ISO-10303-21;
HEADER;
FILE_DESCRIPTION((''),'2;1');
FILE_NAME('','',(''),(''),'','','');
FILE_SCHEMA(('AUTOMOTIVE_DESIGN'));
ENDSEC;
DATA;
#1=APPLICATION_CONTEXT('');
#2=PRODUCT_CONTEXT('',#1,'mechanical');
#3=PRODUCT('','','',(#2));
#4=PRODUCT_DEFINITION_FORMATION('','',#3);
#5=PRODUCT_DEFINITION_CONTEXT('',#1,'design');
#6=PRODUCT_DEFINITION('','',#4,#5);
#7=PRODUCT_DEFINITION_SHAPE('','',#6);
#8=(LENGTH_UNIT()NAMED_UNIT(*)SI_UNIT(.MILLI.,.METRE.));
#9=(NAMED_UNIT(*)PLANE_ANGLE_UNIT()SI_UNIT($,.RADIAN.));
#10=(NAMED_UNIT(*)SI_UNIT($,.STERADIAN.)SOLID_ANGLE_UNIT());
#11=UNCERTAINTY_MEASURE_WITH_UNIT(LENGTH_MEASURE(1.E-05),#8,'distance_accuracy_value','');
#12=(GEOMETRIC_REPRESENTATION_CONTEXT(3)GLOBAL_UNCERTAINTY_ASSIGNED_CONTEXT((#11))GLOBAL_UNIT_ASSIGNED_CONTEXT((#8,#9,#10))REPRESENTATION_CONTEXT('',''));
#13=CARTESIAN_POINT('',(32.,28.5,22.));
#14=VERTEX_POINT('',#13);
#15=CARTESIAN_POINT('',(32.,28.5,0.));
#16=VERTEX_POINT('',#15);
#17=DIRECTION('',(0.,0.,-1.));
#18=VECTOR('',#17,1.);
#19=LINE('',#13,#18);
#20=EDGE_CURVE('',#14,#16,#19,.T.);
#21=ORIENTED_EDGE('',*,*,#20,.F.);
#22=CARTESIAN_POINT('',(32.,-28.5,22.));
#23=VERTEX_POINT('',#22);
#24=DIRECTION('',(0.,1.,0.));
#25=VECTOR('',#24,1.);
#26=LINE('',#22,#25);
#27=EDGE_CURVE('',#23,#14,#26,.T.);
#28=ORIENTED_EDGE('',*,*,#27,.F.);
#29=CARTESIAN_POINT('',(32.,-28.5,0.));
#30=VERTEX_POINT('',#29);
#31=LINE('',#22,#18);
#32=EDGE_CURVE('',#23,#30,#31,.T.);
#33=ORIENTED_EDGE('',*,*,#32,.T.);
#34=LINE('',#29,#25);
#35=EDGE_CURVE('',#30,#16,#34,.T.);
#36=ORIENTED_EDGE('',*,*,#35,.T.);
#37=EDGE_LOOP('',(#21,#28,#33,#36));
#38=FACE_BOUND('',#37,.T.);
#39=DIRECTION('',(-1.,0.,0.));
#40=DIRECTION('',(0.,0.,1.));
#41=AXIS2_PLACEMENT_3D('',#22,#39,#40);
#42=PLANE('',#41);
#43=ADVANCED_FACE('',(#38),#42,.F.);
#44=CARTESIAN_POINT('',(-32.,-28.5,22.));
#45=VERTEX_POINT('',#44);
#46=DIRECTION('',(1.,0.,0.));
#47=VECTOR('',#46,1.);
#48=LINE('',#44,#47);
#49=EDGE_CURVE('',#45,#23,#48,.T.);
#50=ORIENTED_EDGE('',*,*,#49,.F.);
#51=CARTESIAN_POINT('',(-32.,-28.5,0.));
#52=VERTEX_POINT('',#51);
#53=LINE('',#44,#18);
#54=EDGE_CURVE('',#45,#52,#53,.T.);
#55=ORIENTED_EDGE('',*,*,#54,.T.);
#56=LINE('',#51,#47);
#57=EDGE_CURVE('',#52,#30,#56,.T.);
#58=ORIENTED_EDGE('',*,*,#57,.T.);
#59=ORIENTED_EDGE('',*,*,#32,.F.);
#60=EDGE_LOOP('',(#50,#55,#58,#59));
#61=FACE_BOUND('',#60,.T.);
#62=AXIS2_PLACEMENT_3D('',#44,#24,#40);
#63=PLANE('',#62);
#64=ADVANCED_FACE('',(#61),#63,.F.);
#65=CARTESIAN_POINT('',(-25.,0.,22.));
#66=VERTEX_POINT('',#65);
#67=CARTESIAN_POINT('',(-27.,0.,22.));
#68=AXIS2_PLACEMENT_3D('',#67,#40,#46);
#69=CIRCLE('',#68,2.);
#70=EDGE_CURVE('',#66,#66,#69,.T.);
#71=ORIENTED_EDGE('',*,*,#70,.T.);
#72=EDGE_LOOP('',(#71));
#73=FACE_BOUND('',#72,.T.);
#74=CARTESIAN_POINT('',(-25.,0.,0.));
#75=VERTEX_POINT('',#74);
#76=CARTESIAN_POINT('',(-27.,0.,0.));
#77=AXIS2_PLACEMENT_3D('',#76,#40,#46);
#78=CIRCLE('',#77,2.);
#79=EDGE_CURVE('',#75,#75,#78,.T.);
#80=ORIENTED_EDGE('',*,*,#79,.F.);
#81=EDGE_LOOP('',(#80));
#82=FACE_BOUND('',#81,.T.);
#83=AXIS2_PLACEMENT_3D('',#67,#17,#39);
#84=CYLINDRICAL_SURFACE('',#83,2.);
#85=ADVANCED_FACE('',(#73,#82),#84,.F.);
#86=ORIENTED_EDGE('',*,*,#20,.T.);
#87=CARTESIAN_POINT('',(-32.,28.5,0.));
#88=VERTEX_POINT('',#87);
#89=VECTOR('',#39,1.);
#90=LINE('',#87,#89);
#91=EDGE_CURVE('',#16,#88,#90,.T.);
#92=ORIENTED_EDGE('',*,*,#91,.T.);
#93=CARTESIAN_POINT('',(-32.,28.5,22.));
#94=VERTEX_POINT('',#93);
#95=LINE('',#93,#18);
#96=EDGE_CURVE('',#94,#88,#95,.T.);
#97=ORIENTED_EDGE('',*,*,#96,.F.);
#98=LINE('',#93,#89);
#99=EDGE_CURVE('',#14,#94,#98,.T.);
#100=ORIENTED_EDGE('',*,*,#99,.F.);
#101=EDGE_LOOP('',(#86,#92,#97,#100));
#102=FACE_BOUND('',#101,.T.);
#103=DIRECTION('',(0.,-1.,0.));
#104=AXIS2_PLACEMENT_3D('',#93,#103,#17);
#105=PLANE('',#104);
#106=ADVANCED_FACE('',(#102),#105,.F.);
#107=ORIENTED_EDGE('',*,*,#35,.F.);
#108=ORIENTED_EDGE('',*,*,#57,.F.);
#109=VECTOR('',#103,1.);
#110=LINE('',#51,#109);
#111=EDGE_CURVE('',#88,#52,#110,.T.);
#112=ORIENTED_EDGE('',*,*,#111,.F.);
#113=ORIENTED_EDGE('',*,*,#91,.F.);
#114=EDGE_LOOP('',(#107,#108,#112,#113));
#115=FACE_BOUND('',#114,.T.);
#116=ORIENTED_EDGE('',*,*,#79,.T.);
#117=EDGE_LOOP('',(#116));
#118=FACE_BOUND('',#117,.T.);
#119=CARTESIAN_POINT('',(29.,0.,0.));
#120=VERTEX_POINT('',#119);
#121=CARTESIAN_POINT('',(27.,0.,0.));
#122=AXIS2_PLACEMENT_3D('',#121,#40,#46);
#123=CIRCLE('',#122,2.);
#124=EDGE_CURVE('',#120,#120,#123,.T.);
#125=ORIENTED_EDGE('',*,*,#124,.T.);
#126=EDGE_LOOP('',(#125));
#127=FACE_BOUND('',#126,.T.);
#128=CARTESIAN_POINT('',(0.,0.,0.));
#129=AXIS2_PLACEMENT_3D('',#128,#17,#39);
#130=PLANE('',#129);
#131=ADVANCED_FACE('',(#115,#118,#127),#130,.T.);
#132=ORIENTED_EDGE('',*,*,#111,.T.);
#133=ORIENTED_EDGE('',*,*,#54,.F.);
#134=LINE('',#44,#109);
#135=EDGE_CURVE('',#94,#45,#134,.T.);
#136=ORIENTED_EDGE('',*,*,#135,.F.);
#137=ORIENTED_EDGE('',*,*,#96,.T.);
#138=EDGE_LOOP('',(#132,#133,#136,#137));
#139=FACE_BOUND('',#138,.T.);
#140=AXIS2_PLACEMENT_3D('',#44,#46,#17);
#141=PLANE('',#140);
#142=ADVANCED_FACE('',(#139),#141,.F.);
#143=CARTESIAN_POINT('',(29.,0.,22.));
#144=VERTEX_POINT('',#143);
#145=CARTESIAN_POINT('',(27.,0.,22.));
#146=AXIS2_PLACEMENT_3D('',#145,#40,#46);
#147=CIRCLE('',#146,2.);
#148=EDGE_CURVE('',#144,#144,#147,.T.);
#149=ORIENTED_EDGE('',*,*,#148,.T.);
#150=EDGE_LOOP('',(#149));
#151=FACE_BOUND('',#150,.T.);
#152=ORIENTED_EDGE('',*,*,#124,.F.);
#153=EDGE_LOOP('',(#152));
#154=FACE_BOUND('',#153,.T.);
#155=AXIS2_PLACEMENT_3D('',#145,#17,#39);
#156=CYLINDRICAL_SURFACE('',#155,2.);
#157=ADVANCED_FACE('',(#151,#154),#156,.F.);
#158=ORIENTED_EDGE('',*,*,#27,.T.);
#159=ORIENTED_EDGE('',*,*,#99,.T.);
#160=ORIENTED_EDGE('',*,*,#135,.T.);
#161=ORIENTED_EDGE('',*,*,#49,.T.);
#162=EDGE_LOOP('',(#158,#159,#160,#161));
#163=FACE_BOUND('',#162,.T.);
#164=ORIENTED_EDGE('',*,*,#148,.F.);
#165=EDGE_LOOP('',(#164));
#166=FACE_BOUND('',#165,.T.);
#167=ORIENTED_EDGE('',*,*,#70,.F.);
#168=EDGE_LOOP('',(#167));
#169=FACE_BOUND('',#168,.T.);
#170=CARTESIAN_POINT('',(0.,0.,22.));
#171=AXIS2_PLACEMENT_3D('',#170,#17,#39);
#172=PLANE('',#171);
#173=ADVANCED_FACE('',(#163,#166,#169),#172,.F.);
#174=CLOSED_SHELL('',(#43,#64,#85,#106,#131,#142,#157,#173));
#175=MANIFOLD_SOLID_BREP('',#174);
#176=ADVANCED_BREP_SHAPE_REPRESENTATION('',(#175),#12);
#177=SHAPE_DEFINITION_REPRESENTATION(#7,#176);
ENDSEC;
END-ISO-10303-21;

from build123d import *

# Parameters (mm, degrees)
ESQUISSE1_W        = 64
ESQUISSE1_H        = 57
ESQUISSE1_R        = 2
BOSS_EXTRU_1_DEPTH = 22


with BuildPart() as part:
    # Esquisse1 → Boss.-Extru.1 (new body)
    with BuildSketch(Plane.XY):
        Rectangle(ESQUISSE1_W, ESQUISSE1_H)
        with Locations((-27, 0)):
            Circle(ESQUISSE1_R, mode=Mode.SUBTRACT)
        with Locations((27, 0)):
            Circle(ESQUISSE1_R, mode=Mode.SUBTRACT)
    extrude(amount=BOSS_EXTRU_1_DEPTH)


solid = part.part
